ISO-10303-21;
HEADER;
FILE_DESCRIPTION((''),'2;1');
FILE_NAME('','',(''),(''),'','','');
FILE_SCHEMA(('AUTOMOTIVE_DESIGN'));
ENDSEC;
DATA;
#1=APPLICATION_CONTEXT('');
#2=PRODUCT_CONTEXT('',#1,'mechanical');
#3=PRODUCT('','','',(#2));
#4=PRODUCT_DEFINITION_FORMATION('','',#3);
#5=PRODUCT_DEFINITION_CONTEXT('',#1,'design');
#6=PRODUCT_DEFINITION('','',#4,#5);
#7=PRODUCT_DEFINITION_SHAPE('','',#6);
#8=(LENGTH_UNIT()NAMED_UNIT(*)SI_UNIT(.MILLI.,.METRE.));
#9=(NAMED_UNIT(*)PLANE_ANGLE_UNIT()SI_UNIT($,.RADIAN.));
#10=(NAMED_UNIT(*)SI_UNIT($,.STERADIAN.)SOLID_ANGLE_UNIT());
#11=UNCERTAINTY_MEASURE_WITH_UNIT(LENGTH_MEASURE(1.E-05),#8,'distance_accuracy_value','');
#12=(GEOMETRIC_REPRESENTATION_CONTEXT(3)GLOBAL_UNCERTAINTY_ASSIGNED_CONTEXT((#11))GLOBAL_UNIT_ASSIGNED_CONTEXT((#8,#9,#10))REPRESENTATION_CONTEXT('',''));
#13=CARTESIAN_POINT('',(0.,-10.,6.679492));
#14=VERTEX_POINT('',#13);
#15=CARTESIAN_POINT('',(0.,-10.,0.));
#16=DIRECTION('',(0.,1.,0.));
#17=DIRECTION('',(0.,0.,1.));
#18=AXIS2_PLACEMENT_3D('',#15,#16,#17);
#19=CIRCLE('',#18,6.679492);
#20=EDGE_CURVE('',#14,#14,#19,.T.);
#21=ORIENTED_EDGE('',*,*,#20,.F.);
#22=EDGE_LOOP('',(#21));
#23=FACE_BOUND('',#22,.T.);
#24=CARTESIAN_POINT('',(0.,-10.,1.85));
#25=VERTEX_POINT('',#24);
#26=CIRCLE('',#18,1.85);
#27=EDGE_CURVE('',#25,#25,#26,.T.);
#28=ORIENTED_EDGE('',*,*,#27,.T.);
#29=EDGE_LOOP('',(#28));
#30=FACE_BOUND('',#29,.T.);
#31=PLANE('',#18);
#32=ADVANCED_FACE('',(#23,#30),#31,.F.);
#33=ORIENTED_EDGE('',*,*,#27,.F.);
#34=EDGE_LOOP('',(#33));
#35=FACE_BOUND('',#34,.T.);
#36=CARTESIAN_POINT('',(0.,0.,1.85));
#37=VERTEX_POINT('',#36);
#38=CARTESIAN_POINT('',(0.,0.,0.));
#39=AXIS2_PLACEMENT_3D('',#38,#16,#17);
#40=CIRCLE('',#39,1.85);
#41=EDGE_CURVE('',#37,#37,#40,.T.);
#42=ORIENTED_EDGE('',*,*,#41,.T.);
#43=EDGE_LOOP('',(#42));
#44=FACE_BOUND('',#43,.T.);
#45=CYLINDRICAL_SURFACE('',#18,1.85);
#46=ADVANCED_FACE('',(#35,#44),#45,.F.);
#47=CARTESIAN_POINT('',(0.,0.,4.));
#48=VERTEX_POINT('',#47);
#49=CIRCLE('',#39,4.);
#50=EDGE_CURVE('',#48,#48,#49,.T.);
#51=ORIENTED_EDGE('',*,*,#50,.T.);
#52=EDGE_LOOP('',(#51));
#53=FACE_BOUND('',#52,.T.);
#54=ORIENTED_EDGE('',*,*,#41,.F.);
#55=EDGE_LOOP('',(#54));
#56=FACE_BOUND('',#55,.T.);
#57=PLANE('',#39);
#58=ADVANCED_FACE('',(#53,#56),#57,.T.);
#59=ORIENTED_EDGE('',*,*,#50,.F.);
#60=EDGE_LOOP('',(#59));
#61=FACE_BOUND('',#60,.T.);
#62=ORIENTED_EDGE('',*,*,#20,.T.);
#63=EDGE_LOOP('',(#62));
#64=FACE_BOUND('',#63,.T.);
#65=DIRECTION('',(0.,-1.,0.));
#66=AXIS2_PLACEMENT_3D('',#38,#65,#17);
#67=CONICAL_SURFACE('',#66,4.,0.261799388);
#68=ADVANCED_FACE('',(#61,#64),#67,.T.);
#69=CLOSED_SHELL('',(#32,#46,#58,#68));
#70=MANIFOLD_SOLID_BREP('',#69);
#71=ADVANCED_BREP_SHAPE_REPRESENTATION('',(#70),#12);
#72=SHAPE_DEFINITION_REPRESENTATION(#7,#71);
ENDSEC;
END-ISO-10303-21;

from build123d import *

# Parameters (mm, degrees)
SKETCH1_R           = 4
BOSS_EXTRUDE1_DEPTH = 10
BOSS_EXTRUDE1_TAPER = -15
SKETCH2_R           = 1.85
CUT_EXTRUDE1_DEPTH  = 11.0000001


with BuildPart() as part:
    # Sketch1 → Boss-Extrude1 (new body)
    with BuildSketch(Plane(origin=(0, 0, 0), x_dir=(1, 0, 0), z_dir=(0, 1, 0))):
        Circle(SKETCH1_R)
    extrude(amount=-BOSS_EXTRUDE1_DEPTH, taper=BOSS_EXTRUDE1_TAPER)

    # Sketch2 → Cut-Extrude1 (cut, through all)
    with BuildSketch(Plane(origin=(0, 0, 0), x_dir=(1, 0, 0), z_dir=(0, 1, 0))):
        Circle(SKETCH2_R)
    extrude(amount=-CUT_EXTRUDE1_DEPTH, mode=Mode.SUBTRACT)


solid = part.part
